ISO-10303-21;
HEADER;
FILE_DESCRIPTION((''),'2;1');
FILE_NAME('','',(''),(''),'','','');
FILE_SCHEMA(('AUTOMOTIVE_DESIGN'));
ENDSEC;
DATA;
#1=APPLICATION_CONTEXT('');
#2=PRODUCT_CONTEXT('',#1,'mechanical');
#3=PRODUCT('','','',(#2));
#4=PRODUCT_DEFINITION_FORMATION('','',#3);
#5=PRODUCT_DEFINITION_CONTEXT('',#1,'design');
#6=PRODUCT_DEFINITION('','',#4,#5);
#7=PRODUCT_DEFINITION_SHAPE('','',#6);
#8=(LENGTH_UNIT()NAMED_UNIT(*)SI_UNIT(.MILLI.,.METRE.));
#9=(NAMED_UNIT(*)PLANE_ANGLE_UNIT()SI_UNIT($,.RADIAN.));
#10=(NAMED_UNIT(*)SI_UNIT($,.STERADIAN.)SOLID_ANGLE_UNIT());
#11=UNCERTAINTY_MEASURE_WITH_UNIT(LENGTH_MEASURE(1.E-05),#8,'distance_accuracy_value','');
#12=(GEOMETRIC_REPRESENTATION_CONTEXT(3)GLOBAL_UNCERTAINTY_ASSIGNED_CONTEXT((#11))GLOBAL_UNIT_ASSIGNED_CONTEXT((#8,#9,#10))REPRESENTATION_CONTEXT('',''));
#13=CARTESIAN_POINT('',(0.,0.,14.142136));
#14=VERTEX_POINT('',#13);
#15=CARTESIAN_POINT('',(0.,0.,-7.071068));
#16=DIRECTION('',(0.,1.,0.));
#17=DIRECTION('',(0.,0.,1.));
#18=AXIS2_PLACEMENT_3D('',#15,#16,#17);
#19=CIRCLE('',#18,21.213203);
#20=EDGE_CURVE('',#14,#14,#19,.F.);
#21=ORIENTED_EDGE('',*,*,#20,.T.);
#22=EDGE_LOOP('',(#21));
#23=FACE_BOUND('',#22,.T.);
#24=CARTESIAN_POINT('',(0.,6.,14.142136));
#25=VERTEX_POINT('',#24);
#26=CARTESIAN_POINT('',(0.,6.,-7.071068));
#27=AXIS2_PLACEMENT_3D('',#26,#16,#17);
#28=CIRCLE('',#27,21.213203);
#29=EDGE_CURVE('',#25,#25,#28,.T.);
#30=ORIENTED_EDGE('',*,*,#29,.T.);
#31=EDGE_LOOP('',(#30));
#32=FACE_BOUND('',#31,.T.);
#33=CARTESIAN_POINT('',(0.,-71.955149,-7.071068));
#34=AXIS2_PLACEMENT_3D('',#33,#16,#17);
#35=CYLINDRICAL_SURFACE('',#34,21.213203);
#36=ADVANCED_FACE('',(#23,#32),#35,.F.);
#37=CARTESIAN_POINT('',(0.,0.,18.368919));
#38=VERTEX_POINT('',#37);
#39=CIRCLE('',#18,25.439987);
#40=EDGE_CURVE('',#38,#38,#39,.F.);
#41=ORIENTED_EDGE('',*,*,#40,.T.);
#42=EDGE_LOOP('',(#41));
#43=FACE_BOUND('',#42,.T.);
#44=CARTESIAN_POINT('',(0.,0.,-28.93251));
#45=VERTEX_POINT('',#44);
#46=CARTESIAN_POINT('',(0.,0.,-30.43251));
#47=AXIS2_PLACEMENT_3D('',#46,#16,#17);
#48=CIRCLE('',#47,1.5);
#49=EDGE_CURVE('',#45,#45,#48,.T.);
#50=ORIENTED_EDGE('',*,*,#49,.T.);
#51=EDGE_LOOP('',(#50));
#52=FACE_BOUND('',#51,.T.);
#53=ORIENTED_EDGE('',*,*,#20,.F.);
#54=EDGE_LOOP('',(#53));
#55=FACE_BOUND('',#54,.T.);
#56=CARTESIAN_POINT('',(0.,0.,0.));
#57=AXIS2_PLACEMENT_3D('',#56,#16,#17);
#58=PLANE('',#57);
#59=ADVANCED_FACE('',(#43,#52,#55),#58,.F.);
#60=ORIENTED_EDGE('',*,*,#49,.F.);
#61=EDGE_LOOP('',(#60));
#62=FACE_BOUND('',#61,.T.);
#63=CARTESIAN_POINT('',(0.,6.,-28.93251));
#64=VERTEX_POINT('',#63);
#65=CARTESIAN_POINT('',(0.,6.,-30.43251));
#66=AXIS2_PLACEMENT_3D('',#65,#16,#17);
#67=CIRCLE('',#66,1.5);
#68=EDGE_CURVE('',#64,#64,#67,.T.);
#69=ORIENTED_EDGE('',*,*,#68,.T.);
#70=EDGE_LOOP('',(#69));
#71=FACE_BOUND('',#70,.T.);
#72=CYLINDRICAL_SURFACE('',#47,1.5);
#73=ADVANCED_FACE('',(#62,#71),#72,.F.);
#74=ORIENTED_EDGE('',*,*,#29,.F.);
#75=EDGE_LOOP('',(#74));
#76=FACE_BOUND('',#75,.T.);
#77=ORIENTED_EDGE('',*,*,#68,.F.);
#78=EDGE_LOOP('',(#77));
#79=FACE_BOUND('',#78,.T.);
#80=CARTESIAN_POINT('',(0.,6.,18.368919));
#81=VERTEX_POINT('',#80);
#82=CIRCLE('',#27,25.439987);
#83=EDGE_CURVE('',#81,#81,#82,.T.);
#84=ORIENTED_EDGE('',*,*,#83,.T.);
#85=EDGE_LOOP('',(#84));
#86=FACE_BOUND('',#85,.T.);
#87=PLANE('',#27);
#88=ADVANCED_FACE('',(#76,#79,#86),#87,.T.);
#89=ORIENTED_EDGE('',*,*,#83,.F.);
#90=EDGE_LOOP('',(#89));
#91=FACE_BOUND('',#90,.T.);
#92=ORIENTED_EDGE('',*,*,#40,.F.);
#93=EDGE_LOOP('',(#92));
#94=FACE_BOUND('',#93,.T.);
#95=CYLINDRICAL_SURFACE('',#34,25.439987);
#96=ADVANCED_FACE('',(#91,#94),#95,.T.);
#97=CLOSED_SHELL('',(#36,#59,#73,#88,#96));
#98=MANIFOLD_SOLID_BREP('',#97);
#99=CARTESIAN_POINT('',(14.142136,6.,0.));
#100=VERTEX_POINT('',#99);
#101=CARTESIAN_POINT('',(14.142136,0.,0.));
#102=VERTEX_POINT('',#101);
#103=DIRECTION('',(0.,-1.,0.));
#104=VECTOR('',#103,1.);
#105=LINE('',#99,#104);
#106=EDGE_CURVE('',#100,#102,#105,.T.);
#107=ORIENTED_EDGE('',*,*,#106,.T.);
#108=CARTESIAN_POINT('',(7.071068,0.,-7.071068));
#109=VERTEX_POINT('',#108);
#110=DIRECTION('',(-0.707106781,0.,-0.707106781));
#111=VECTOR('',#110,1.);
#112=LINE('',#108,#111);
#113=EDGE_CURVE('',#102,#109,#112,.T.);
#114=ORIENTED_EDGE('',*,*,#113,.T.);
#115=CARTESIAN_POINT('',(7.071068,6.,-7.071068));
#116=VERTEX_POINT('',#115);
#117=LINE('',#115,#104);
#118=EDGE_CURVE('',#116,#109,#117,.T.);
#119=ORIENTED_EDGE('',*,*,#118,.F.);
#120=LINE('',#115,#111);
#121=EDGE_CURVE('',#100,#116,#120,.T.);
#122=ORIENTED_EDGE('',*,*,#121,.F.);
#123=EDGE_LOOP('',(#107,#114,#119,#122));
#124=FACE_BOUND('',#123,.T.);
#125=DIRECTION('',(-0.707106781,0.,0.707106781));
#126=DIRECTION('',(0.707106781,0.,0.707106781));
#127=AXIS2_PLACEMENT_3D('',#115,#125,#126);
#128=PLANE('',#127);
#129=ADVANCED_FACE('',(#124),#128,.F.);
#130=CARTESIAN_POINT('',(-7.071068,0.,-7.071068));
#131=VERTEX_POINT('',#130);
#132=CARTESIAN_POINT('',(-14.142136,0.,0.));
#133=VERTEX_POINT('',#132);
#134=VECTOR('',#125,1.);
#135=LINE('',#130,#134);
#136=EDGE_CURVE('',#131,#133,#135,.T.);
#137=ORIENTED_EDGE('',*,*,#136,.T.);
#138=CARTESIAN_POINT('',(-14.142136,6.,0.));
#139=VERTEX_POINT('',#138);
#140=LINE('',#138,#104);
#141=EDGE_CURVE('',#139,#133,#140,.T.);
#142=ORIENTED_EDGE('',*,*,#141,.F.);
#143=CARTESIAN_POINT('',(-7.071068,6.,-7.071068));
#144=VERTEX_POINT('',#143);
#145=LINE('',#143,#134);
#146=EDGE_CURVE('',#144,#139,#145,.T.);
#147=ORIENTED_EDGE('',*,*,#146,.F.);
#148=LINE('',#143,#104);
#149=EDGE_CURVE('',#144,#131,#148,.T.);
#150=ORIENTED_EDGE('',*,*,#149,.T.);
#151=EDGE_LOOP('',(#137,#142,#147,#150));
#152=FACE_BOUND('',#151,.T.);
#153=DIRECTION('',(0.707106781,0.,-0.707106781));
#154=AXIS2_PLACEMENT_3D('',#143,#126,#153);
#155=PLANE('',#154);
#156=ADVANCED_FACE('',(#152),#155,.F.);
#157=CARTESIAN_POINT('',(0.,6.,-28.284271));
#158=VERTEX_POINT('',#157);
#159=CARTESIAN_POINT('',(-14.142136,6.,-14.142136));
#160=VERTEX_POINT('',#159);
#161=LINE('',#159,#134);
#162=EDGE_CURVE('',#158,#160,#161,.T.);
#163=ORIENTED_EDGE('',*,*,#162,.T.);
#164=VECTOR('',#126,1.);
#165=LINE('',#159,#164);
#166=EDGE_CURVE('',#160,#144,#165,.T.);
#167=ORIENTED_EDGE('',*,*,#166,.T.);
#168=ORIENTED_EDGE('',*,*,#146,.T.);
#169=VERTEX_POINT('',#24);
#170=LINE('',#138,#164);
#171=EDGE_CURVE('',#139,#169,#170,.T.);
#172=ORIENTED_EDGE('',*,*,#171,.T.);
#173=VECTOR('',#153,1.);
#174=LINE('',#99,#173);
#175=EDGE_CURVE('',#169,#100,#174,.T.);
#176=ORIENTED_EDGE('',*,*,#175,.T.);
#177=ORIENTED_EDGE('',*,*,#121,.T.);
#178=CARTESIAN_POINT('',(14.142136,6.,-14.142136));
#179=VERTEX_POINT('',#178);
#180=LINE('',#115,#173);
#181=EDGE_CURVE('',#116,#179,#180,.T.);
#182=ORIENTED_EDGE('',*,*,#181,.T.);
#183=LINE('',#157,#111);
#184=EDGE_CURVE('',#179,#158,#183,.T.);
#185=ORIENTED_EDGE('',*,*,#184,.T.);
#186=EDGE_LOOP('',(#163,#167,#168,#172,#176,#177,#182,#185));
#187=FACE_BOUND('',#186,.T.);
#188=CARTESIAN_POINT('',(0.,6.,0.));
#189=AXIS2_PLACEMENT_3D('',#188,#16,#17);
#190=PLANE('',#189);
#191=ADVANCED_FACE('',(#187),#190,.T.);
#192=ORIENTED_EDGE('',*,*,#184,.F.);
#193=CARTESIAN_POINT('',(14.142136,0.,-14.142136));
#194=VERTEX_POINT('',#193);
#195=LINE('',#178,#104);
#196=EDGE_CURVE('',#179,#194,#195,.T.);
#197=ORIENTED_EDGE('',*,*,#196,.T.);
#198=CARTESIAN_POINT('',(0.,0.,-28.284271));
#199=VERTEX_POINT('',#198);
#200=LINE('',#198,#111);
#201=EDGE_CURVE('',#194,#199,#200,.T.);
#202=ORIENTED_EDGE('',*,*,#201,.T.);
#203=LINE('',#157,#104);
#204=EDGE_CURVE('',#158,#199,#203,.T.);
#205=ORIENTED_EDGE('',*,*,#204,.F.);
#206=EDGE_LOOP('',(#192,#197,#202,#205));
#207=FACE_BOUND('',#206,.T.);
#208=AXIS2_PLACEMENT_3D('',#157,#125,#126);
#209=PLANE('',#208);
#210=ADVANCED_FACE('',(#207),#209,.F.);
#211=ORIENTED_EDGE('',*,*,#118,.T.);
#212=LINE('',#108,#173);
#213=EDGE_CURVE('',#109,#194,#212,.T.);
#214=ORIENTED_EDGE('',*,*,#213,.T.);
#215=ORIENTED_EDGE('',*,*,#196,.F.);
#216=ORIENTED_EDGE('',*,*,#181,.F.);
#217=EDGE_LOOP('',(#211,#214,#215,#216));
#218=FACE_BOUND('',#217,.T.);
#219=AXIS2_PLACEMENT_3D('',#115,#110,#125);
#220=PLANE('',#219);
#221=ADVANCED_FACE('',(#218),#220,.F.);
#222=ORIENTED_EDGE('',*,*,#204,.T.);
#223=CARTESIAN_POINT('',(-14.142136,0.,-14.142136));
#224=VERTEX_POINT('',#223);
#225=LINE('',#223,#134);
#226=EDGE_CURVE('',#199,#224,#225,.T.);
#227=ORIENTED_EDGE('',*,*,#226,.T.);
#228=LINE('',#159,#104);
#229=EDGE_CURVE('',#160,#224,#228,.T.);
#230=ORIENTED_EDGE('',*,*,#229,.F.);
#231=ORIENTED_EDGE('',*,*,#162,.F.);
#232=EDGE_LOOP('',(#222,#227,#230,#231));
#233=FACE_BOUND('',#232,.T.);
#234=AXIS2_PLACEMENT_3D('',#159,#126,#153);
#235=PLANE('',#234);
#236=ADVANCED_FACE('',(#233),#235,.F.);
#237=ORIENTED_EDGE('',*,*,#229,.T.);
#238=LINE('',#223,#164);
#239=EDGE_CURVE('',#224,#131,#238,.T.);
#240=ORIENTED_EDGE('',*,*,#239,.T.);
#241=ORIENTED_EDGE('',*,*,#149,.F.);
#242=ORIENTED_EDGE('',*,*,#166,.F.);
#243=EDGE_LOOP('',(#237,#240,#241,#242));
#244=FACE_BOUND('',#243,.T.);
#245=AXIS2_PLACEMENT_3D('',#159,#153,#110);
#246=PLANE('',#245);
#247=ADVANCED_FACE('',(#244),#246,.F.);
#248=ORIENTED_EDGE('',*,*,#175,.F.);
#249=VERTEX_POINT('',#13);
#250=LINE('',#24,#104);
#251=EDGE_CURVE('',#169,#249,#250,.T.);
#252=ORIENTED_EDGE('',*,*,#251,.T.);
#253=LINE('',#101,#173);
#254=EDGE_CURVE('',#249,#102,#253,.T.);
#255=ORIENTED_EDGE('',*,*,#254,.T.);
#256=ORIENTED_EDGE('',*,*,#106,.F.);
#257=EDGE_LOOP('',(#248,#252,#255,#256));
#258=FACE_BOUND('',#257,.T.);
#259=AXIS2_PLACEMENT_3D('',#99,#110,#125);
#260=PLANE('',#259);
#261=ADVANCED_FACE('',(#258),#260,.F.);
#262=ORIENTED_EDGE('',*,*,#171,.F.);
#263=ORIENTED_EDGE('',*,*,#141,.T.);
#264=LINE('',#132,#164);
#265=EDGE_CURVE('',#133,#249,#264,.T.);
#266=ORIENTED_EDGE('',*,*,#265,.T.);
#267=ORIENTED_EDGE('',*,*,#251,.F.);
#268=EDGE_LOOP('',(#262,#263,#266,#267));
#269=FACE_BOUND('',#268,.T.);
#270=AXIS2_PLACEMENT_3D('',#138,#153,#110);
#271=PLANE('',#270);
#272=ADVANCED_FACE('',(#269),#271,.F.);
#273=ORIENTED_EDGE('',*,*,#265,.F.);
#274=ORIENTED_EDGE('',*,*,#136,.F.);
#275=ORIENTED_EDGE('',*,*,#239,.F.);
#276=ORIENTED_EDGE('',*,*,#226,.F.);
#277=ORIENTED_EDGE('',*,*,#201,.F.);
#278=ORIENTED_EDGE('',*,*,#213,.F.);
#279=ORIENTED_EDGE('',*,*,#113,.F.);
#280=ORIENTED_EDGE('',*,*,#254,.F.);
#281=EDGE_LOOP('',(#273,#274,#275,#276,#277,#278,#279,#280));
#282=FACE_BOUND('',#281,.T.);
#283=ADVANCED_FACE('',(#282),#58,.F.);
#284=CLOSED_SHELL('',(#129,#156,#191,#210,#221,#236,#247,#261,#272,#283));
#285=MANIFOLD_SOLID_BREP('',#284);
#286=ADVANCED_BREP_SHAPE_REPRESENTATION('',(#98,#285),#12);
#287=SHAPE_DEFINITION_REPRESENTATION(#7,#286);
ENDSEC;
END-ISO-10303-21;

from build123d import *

# Parameters (mm, degrees)
BOSS_EXTRUDE1_DEPTH = 6
SKETCH2_R           = 25.439986865
SKETCH2_R_2         = 21.213203436
BOSS_EXTRUDE2_DEPTH = 6
SKETCH3_R           = 1.5
CUT_EXTRUDE1_DEPTH  = 6


with BuildPart() as part:
    # Sketch1 → Boss-Extrude1 (new body)
    with BuildSketch(Plane(origin=(0, 0, 0), x_dir=(1, 0, 0), z_dir=(0, 1, 0))):
        Polygon((-14.142135624, 14.142135624), (0, 28.284271247), (14.142135624, 14.142135624), (7.071067812, 7.071067812), (14.142135624, 0), (0, -14.142135624), (-14.142135624, 0), (-7.071067812, 7.071067812), align=None)
    extrude(amount=BOSS_EXTRUDE1_DEPTH)


with BuildPart() as body_2:
    # Sketch2 → Boss-Extrude2 (new body)
    with BuildSketch(Plane(origin=(0, 6, 0), x_dir=(1, 0, 0), z_dir=(0, 1, 0))):
        with Locations(Location((0, 7.071067812, 0), (0, 0, 270))):
            Circle(SKETCH2_R)
        with Locations(Location((0, 7.071067812, 0), (0, 0, 270))):
            Circle(SKETCH2_R_2, mode=Mode.SUBTRACT)
    extrude(amount=-BOSS_EXTRUDE2_DEPTH)

    # Sketch3 → Cut-Extrude1 (cut)
    with BuildSketch(Plane(origin=(0, 6, 0), x_dir=(1, 0, 0), z_dir=(0, 1, 0))):
        with Locations(Location((0, 30.43250968, 0), (0, 0, 270))):
            Circle(SKETCH3_R)
    extrude(amount=-CUT_EXTRUDE1_DEPTH, mode=Mode.SUBTRACT)


solid = Compound([part.part, body_2.part])
